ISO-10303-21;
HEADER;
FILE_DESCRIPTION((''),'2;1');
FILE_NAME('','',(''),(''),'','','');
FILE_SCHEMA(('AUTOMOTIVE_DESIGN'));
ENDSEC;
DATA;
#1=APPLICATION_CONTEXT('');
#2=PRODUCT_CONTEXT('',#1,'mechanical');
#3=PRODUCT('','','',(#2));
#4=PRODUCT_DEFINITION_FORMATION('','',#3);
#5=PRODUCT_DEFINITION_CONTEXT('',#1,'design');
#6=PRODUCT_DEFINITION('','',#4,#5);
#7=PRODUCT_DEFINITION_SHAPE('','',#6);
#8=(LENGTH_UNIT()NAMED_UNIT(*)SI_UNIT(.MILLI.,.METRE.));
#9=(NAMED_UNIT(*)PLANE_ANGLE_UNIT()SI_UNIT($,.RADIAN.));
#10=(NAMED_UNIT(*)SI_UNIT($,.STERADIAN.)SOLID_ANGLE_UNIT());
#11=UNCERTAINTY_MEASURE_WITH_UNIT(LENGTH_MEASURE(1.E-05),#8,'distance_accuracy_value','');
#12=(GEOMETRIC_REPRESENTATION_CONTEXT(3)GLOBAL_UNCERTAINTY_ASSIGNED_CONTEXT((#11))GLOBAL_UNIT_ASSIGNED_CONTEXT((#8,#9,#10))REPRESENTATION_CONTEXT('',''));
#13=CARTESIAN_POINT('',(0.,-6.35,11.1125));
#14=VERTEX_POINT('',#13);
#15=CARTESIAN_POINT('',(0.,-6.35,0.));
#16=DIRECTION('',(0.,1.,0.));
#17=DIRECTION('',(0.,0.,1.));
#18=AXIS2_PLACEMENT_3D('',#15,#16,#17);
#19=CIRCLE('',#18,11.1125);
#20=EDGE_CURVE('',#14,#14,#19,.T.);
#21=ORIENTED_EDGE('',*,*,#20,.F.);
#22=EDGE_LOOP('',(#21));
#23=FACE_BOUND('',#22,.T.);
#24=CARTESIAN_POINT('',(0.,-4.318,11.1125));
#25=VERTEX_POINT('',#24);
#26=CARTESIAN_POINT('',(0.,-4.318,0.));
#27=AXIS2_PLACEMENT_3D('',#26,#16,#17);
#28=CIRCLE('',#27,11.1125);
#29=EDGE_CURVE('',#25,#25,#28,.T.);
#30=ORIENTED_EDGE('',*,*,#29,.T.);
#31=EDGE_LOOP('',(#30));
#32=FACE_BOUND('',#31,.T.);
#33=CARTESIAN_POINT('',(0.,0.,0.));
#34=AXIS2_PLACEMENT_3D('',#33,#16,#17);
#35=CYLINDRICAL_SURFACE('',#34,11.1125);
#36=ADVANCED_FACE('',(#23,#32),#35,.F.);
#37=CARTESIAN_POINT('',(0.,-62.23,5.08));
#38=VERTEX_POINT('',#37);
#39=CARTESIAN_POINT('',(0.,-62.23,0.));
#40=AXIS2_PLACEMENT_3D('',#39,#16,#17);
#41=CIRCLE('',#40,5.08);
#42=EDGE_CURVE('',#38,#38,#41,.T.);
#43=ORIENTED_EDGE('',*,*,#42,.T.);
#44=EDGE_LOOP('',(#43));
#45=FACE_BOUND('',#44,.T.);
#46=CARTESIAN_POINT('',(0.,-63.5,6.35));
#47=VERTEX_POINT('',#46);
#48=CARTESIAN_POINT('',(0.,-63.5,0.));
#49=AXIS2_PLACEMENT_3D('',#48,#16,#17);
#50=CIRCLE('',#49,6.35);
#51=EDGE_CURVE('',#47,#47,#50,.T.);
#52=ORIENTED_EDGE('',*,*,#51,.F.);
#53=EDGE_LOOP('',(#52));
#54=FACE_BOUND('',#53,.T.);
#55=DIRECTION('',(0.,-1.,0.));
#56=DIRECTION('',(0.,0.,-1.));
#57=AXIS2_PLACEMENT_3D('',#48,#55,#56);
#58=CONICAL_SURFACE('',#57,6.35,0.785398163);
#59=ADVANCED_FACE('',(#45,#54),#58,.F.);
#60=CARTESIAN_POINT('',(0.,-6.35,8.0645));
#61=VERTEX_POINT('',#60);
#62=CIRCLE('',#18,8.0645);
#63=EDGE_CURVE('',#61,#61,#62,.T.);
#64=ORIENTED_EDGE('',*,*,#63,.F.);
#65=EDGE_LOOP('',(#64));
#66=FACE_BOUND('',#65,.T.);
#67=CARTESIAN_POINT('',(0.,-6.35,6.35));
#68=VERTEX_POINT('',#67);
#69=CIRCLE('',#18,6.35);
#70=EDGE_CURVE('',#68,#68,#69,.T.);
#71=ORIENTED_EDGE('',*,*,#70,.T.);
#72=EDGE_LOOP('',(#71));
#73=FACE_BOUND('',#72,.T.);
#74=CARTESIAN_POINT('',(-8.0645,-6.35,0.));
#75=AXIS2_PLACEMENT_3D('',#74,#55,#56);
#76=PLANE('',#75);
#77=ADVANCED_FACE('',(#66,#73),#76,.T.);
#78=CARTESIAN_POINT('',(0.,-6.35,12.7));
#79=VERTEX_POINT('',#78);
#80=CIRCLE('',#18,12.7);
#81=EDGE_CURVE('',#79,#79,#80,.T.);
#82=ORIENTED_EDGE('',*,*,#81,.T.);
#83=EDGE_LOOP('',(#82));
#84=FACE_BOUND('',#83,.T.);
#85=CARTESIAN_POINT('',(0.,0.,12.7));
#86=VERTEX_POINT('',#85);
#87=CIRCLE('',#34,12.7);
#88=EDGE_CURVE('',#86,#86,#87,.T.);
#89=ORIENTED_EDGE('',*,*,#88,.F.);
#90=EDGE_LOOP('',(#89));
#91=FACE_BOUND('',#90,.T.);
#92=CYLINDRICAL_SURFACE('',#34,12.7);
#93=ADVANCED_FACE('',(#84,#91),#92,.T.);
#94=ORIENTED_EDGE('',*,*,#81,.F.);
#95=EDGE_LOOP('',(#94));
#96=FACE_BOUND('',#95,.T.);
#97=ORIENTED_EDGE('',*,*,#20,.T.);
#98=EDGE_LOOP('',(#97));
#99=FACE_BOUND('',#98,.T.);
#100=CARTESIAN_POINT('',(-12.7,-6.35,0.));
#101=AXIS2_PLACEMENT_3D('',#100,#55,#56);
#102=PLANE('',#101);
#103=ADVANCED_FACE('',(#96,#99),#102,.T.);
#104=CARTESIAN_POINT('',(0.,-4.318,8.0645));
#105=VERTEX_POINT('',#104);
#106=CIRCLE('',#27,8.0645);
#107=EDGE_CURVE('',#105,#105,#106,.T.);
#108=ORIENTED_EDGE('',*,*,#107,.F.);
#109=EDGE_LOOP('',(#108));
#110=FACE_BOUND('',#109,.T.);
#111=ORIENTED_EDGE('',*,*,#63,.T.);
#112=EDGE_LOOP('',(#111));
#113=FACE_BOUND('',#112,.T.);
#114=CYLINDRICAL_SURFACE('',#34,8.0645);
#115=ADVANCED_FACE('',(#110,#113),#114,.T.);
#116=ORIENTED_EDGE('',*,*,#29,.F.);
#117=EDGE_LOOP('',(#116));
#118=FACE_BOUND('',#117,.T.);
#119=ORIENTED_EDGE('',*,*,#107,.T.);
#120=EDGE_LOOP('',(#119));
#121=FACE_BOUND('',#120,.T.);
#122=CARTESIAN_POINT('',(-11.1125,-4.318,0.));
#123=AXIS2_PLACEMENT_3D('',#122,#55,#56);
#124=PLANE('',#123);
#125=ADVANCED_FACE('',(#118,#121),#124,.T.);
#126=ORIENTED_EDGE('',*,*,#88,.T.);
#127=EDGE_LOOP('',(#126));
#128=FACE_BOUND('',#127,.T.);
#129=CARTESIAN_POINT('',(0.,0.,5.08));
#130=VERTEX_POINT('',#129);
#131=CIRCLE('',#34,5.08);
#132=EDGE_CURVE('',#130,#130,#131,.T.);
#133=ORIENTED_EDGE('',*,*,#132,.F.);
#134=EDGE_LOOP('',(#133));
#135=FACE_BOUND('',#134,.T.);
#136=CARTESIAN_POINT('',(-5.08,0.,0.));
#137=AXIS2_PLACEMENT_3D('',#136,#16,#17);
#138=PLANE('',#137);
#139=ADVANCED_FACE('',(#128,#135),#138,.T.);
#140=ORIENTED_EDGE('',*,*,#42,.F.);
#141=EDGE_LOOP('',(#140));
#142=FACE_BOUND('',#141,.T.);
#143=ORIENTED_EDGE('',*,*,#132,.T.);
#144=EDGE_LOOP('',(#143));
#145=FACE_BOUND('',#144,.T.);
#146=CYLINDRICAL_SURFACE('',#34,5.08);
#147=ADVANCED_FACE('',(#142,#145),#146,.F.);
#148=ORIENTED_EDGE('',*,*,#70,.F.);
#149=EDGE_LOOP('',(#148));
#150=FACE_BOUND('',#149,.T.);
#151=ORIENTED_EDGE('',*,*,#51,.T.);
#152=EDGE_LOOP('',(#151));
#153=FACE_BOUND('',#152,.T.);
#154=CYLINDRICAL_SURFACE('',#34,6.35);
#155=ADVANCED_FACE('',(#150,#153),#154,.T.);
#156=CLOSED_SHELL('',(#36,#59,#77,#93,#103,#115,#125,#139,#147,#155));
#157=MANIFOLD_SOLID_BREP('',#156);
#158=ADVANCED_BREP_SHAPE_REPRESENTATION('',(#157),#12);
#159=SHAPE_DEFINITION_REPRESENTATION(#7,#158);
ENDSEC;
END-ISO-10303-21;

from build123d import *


with BuildPart() as part:
    # Sketch1 → Revolve1 (revolve)
    with BuildSketch(Plane.XY):
        Polygon((-5.08, 0), (-12.7, 0), (-12.7, -6.35), (-11.1125, -6.35), (-11.1125, -4.318), (-8.0645, -4.318), (-8.0645, -6.35), (-6.35, -6.35), (-6.35, -63.5), (-5.08, -62.23), align=None)
    revolve(axis=Axis((0, 0, 0), (0, -1, 0)))


solid = part.part
